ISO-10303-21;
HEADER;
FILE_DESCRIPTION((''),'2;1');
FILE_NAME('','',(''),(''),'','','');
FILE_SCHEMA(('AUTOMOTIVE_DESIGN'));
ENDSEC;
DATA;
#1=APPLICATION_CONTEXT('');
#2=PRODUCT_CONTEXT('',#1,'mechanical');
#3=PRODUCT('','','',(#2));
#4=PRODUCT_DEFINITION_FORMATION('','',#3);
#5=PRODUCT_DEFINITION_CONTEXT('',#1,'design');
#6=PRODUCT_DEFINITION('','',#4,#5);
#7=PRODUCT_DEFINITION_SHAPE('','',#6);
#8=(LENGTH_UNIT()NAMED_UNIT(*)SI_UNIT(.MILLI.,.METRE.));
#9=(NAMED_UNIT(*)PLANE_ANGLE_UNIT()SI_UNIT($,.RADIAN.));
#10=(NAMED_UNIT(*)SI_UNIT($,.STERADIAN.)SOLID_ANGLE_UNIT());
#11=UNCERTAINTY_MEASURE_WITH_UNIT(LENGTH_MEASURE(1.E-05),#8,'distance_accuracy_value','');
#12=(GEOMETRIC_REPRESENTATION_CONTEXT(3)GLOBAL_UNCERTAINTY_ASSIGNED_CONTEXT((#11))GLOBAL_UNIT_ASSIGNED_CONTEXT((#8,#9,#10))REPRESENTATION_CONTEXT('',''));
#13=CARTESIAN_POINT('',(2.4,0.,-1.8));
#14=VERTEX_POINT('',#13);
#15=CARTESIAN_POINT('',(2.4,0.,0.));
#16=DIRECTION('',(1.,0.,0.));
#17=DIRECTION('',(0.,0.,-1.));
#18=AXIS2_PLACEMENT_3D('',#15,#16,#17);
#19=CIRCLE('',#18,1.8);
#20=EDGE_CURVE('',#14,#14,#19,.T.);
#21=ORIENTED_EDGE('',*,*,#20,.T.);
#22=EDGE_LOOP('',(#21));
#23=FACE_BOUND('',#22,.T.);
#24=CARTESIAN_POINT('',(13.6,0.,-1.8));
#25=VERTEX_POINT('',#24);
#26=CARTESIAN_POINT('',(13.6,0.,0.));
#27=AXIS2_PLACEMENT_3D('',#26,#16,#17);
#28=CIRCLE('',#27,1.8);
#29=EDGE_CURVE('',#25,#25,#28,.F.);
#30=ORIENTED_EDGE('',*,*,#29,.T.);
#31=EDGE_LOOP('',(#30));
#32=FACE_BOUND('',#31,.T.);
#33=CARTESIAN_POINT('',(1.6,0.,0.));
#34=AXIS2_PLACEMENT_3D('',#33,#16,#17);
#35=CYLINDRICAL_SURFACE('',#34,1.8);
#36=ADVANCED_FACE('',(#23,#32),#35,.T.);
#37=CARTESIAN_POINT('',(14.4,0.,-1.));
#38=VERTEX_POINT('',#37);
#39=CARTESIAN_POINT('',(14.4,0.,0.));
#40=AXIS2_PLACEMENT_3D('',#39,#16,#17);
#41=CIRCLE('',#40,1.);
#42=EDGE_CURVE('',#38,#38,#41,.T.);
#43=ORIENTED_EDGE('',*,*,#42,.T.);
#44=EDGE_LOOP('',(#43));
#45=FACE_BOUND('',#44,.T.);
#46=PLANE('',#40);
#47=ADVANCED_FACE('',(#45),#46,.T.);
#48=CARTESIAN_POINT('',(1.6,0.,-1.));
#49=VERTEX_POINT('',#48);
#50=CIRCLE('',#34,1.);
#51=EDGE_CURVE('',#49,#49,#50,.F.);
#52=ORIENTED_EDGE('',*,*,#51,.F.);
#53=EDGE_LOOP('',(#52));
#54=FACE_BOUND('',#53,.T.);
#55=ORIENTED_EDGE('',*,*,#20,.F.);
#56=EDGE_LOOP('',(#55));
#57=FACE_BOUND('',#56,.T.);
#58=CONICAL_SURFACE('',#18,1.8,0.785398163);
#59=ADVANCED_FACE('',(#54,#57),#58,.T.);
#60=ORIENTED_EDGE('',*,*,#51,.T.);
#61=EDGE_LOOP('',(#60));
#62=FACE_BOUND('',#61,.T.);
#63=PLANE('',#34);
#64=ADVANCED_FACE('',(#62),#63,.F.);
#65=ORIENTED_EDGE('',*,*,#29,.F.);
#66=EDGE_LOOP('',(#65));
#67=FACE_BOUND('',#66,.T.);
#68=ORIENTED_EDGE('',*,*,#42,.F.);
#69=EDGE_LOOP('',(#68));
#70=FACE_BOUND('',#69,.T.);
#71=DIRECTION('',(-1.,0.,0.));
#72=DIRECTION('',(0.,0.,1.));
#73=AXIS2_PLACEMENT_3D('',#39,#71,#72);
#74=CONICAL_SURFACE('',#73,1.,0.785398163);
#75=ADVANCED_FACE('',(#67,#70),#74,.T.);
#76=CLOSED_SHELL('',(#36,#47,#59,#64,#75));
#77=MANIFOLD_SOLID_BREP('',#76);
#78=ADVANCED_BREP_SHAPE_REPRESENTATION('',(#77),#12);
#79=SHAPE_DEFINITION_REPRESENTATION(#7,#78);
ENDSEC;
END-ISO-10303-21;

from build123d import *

# Parameters (mm, degrees)
SWEEP1_PROFILE_R = 2.25
CHAMFER1_SIZE    = 1
SCALE1_SCALE     = 0.8


with BuildPart() as part:
    # Sweep1: sweep along a path in Sketch1
    with BuildLine(Plane.XY) as sweep1_path:
        Line((0, 0), (16, 0))
    # Sweep1 profile (on start of the path) → Sweep1 (sweep)
    with BuildSketch(Plane(origin=(0, 0, 0), x_dir=(0, 0, 1), z_dir=(1, 0, 0))):
        Circle(SWEEP1_PROFILE_R)
    sweep(path=sweep1_path.line)

    # Chamfer1
    chamfer1_edges = [part.edges().sort_by_distance(p)[0] for p in [
        (0, 0, -2.25),
        (16, 0, -2.25),
    ]]
    chamfer(chamfer1_edges, length=CHAMFER1_SIZE)


with BuildPart() as part_1:
    # Scale1: scaled about (8, 0, 0)
    add(part.part.scale(SCALE1_SCALE).moved(Location((1.6, 0, 0))))


solid = part_1.part
